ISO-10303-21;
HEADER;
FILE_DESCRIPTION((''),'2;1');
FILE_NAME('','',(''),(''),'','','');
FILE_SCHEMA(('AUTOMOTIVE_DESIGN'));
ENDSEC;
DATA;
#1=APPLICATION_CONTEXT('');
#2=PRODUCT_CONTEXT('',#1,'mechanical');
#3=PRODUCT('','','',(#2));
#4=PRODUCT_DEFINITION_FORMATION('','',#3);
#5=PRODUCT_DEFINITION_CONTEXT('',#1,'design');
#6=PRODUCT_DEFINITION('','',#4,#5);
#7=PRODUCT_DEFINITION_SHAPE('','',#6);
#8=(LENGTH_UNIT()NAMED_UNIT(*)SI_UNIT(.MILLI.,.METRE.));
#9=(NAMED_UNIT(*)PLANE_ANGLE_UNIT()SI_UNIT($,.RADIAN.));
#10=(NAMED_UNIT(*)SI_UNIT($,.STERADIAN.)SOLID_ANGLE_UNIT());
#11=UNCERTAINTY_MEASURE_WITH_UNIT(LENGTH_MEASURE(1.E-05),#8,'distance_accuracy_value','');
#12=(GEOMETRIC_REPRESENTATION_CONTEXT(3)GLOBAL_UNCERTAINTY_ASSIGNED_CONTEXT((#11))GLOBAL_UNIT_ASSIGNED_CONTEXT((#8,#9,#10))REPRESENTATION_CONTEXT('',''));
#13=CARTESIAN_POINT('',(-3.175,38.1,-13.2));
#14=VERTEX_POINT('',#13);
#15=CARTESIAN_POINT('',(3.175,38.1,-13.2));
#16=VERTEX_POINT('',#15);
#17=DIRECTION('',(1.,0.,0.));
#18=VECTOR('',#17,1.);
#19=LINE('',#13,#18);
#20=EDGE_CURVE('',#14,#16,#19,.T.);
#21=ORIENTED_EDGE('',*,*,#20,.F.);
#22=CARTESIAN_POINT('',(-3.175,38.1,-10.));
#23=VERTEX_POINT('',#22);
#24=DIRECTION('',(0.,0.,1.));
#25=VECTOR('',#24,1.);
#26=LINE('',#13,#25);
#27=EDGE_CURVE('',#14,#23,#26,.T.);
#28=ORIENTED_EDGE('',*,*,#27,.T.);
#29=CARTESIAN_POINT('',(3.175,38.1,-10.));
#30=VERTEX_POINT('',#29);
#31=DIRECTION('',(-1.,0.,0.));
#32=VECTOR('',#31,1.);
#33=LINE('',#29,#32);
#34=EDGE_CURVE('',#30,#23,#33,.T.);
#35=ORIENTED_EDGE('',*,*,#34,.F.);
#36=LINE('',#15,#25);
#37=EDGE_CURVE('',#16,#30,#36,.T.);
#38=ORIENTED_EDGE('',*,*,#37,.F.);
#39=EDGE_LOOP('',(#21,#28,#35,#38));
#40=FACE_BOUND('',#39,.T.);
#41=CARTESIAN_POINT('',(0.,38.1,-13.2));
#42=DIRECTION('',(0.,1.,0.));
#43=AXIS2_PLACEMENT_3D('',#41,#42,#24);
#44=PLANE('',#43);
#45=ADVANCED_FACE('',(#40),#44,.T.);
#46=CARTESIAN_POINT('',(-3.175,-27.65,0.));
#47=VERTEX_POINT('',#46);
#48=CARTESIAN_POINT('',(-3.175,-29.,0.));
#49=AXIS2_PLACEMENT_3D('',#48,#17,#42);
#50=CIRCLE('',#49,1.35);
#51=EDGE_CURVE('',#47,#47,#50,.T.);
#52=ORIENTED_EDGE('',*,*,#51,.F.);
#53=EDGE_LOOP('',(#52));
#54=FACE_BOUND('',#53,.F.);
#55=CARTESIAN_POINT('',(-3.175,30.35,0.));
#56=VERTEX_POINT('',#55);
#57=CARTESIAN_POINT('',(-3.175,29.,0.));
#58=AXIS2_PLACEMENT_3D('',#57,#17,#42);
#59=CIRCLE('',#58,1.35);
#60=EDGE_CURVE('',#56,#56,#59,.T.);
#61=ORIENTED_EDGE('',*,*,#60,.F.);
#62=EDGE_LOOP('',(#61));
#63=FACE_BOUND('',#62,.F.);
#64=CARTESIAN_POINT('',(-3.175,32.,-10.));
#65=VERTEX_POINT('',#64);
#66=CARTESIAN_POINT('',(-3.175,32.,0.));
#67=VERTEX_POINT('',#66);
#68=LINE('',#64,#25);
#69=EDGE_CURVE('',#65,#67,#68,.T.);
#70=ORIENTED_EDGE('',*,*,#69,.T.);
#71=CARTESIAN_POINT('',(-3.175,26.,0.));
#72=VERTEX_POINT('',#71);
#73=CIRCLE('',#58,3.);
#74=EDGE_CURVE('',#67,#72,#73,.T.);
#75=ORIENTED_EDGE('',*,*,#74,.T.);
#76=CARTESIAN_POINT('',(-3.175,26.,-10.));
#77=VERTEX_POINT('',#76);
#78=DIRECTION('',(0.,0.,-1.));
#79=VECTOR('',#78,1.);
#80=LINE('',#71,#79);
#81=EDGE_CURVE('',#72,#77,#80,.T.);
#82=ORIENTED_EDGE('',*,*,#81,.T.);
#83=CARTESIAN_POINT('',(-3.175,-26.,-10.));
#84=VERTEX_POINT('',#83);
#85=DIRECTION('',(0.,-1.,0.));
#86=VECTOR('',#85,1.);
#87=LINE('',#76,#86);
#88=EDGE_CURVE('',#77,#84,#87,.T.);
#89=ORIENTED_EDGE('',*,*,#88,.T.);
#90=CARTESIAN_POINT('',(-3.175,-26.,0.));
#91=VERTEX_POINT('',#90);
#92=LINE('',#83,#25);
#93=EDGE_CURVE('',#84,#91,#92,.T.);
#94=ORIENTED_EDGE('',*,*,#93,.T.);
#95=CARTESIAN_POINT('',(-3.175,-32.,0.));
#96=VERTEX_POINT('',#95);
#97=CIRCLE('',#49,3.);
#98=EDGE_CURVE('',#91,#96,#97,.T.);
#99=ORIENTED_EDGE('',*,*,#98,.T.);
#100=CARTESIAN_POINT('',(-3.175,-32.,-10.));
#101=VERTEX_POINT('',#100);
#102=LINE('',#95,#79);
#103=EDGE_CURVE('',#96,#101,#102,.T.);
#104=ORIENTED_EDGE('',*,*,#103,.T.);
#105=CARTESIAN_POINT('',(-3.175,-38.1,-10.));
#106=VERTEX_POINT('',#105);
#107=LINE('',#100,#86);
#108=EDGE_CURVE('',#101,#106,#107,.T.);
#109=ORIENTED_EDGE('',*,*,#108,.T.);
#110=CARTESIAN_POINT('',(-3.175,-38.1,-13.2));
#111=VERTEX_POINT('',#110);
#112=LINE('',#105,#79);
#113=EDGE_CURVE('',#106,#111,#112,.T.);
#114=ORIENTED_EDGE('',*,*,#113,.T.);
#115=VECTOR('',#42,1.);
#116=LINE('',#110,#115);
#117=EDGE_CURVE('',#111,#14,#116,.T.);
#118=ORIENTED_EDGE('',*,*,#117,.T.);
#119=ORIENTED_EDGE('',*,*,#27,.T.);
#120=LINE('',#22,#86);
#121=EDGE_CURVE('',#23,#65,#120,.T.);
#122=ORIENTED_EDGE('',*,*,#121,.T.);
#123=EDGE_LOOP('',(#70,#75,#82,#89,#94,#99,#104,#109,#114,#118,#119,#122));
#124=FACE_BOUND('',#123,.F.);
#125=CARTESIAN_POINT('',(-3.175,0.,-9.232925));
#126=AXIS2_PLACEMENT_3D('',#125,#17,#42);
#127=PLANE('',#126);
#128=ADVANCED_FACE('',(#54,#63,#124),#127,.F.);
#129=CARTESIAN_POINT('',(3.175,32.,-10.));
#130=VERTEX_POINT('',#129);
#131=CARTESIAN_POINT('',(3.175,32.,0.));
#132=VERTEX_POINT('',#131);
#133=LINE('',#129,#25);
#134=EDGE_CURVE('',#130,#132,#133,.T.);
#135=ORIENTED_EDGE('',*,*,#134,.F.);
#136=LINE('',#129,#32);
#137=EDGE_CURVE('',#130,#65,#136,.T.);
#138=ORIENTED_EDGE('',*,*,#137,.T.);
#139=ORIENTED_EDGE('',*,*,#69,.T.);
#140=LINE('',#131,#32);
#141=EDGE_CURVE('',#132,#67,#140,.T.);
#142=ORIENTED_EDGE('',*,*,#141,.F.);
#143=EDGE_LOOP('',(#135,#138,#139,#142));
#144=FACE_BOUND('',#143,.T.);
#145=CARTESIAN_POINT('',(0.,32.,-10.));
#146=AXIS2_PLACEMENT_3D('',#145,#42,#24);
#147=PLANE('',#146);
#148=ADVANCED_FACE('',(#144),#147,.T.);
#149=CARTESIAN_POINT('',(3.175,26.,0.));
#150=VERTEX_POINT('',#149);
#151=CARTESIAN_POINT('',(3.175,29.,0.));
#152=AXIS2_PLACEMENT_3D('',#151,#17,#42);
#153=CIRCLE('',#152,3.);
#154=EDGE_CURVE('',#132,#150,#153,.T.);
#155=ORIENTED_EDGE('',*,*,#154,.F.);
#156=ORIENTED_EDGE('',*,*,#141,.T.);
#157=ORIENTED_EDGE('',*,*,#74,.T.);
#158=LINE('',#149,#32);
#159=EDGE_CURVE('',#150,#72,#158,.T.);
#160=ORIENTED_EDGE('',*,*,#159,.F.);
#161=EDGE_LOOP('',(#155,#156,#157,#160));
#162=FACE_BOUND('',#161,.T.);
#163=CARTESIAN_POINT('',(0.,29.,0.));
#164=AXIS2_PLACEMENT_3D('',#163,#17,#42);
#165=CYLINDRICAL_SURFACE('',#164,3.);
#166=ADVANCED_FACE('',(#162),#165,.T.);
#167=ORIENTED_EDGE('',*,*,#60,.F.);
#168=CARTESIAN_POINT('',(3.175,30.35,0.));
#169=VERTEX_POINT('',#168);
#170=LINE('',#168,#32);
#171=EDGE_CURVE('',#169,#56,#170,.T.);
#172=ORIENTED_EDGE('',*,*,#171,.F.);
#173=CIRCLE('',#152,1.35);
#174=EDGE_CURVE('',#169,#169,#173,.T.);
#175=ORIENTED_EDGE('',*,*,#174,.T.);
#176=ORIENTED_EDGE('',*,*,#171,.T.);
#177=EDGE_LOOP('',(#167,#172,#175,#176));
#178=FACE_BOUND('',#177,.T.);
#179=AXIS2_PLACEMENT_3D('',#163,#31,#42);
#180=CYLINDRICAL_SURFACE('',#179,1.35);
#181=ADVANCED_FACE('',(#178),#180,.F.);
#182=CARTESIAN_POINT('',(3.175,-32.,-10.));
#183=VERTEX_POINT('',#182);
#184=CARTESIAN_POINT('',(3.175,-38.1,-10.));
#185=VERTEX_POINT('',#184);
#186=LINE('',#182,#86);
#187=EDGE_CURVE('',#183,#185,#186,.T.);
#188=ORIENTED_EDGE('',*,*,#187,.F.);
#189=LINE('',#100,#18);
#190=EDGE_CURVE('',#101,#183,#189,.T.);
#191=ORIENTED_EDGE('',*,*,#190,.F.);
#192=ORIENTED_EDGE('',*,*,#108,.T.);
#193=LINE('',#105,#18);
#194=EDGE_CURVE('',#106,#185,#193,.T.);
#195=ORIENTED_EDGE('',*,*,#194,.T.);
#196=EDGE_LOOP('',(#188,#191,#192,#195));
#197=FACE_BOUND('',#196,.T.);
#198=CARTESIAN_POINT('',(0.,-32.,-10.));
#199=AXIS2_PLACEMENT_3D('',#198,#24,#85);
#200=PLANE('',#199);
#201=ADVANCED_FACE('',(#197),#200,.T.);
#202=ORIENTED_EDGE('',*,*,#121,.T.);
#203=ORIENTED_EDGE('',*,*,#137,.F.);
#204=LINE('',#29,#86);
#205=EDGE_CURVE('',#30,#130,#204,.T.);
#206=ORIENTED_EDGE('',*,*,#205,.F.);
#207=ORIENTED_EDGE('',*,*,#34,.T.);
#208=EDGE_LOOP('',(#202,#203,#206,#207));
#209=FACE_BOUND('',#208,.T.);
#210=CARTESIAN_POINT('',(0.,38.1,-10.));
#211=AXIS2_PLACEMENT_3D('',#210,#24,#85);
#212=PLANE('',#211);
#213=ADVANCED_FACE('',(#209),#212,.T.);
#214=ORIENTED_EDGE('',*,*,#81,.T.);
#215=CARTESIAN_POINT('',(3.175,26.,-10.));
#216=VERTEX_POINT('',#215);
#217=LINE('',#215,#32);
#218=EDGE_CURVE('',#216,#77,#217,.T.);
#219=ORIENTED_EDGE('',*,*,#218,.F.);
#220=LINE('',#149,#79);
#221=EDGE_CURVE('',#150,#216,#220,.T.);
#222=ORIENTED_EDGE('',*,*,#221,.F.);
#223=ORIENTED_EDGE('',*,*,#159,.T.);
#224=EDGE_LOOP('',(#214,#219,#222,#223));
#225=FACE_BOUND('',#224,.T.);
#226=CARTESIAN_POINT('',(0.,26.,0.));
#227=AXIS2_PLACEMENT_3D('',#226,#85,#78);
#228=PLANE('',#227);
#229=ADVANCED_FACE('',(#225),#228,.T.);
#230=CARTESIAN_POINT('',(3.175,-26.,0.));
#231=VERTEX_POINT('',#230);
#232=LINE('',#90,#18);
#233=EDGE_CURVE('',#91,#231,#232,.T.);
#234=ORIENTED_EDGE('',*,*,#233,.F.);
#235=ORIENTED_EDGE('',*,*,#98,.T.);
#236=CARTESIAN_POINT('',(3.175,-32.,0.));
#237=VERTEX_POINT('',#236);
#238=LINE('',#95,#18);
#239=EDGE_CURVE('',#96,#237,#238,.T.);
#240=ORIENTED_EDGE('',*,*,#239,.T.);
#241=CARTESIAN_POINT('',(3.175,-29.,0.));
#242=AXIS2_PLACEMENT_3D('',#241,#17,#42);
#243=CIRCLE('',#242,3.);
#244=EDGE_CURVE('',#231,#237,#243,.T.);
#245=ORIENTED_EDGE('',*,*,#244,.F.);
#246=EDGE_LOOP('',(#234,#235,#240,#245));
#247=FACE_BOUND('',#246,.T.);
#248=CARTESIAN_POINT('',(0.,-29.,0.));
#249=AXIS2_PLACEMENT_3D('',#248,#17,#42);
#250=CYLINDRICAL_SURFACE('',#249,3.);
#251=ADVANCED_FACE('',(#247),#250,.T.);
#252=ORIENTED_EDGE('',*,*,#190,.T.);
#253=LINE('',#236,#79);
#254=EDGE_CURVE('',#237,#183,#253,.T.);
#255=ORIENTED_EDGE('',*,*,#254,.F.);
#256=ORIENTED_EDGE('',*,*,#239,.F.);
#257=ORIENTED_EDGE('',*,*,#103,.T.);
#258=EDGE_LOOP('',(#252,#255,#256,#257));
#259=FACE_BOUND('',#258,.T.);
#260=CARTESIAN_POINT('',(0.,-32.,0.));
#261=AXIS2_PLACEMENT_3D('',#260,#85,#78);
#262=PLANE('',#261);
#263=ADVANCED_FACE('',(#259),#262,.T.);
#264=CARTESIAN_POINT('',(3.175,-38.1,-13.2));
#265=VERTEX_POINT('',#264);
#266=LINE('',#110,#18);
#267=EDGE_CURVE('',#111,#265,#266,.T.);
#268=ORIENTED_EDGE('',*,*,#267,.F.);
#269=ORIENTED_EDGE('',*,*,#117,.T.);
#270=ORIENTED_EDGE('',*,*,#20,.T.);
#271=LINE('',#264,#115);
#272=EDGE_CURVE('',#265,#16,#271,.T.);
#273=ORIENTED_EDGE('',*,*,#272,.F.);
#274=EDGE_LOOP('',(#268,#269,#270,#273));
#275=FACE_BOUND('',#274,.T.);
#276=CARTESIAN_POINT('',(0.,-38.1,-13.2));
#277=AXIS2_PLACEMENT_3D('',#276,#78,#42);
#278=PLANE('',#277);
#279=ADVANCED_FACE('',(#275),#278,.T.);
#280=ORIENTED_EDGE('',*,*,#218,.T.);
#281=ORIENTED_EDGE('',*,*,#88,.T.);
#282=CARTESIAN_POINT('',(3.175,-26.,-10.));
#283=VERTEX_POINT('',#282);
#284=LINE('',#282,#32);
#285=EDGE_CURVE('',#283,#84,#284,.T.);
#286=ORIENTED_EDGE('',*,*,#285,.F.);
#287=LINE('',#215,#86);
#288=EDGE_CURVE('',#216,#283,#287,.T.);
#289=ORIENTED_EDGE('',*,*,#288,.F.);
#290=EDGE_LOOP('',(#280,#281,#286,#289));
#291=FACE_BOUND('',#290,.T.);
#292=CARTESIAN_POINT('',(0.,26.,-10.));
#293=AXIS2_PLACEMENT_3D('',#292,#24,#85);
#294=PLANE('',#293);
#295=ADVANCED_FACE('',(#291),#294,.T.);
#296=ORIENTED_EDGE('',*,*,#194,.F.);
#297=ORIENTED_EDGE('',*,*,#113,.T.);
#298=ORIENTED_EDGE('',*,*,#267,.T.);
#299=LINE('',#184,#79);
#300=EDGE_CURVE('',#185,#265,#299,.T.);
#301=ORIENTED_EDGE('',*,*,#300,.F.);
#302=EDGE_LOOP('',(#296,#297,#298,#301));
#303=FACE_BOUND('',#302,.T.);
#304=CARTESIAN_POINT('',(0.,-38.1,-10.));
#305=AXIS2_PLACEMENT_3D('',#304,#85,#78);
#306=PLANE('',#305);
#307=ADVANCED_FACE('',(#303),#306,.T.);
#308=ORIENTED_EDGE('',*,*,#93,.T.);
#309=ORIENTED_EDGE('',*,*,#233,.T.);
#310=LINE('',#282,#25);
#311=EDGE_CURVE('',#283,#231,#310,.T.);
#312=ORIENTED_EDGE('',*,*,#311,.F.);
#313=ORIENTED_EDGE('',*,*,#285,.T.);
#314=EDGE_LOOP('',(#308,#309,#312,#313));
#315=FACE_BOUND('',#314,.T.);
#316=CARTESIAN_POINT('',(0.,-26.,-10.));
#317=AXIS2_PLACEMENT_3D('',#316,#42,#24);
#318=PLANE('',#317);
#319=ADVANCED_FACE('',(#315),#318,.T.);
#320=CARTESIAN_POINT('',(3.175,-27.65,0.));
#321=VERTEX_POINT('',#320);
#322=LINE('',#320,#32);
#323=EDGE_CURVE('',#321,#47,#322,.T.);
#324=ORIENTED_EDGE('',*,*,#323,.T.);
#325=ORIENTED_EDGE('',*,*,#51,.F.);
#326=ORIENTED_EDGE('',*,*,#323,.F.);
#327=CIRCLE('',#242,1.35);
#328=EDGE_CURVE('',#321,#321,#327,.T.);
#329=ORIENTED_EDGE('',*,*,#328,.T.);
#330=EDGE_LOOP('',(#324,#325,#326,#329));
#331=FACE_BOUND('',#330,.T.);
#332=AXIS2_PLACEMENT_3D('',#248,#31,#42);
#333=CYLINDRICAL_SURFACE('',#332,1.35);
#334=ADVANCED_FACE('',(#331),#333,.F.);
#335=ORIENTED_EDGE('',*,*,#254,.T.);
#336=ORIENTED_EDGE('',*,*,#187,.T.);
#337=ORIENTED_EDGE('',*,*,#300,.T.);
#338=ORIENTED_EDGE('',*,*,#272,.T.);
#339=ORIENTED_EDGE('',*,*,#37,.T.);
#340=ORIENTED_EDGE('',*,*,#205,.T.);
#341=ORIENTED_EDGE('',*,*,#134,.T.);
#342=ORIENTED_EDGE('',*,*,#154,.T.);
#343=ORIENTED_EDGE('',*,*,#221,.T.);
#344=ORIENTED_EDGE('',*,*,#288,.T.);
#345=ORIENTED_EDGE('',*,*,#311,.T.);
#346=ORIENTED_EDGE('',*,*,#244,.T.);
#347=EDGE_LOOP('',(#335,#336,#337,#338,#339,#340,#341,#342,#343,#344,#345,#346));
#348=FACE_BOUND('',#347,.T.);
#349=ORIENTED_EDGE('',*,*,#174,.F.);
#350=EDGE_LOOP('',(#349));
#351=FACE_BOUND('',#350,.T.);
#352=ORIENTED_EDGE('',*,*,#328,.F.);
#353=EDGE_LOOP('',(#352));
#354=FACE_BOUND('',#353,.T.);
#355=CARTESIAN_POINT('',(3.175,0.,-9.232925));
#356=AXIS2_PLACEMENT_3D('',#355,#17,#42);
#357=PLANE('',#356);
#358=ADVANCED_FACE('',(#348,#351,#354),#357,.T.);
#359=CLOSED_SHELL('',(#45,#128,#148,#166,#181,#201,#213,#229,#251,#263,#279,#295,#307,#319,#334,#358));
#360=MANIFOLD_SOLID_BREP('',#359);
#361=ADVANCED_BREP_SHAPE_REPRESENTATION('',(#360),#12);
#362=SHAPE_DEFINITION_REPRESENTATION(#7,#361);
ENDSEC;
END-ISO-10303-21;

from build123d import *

# Parameters (mm, degrees)
F0_R     = 1.35
F1_DEPTH = 3.175


with BuildPart() as f1:
    # F0 (on Right) → F1 (new body, symmetric)
    with BuildSketch(Plane.YZ):
        with BuildLine():
            Line((-26, -10), (-26, 0))
            ThreePointArc((-26, 0), (-29, 3), (-32, 0))
            Line((-32, 0), (-32, -10))
            Line((-32, -10), (-38.1, -10))
            Line((-38.1, -10), (-38.1, -13.2))
            Line((-38.1, -13.2), (38.1, -13.2))
            Line((38.1, -13.2), (38.1, -10))
            Line((38.1, -10), (32, -10))
            Line((32, -10), (32, 0))
            ThreePointArc((32, 0), (29, 3), (26, 0))
            Line((26, 0), (26, -10))
            Line((26, -10), (-26, -10))
        make_face()
        with Locations((-29, 0)):
            Circle(F0_R, mode=Mode.SUBTRACT)
        with Locations((29, 0)):
            Circle(F0_R, mode=Mode.SUBTRACT)
    extrude(amount=F1_DEPTH, both=True)


solid = f1.part
